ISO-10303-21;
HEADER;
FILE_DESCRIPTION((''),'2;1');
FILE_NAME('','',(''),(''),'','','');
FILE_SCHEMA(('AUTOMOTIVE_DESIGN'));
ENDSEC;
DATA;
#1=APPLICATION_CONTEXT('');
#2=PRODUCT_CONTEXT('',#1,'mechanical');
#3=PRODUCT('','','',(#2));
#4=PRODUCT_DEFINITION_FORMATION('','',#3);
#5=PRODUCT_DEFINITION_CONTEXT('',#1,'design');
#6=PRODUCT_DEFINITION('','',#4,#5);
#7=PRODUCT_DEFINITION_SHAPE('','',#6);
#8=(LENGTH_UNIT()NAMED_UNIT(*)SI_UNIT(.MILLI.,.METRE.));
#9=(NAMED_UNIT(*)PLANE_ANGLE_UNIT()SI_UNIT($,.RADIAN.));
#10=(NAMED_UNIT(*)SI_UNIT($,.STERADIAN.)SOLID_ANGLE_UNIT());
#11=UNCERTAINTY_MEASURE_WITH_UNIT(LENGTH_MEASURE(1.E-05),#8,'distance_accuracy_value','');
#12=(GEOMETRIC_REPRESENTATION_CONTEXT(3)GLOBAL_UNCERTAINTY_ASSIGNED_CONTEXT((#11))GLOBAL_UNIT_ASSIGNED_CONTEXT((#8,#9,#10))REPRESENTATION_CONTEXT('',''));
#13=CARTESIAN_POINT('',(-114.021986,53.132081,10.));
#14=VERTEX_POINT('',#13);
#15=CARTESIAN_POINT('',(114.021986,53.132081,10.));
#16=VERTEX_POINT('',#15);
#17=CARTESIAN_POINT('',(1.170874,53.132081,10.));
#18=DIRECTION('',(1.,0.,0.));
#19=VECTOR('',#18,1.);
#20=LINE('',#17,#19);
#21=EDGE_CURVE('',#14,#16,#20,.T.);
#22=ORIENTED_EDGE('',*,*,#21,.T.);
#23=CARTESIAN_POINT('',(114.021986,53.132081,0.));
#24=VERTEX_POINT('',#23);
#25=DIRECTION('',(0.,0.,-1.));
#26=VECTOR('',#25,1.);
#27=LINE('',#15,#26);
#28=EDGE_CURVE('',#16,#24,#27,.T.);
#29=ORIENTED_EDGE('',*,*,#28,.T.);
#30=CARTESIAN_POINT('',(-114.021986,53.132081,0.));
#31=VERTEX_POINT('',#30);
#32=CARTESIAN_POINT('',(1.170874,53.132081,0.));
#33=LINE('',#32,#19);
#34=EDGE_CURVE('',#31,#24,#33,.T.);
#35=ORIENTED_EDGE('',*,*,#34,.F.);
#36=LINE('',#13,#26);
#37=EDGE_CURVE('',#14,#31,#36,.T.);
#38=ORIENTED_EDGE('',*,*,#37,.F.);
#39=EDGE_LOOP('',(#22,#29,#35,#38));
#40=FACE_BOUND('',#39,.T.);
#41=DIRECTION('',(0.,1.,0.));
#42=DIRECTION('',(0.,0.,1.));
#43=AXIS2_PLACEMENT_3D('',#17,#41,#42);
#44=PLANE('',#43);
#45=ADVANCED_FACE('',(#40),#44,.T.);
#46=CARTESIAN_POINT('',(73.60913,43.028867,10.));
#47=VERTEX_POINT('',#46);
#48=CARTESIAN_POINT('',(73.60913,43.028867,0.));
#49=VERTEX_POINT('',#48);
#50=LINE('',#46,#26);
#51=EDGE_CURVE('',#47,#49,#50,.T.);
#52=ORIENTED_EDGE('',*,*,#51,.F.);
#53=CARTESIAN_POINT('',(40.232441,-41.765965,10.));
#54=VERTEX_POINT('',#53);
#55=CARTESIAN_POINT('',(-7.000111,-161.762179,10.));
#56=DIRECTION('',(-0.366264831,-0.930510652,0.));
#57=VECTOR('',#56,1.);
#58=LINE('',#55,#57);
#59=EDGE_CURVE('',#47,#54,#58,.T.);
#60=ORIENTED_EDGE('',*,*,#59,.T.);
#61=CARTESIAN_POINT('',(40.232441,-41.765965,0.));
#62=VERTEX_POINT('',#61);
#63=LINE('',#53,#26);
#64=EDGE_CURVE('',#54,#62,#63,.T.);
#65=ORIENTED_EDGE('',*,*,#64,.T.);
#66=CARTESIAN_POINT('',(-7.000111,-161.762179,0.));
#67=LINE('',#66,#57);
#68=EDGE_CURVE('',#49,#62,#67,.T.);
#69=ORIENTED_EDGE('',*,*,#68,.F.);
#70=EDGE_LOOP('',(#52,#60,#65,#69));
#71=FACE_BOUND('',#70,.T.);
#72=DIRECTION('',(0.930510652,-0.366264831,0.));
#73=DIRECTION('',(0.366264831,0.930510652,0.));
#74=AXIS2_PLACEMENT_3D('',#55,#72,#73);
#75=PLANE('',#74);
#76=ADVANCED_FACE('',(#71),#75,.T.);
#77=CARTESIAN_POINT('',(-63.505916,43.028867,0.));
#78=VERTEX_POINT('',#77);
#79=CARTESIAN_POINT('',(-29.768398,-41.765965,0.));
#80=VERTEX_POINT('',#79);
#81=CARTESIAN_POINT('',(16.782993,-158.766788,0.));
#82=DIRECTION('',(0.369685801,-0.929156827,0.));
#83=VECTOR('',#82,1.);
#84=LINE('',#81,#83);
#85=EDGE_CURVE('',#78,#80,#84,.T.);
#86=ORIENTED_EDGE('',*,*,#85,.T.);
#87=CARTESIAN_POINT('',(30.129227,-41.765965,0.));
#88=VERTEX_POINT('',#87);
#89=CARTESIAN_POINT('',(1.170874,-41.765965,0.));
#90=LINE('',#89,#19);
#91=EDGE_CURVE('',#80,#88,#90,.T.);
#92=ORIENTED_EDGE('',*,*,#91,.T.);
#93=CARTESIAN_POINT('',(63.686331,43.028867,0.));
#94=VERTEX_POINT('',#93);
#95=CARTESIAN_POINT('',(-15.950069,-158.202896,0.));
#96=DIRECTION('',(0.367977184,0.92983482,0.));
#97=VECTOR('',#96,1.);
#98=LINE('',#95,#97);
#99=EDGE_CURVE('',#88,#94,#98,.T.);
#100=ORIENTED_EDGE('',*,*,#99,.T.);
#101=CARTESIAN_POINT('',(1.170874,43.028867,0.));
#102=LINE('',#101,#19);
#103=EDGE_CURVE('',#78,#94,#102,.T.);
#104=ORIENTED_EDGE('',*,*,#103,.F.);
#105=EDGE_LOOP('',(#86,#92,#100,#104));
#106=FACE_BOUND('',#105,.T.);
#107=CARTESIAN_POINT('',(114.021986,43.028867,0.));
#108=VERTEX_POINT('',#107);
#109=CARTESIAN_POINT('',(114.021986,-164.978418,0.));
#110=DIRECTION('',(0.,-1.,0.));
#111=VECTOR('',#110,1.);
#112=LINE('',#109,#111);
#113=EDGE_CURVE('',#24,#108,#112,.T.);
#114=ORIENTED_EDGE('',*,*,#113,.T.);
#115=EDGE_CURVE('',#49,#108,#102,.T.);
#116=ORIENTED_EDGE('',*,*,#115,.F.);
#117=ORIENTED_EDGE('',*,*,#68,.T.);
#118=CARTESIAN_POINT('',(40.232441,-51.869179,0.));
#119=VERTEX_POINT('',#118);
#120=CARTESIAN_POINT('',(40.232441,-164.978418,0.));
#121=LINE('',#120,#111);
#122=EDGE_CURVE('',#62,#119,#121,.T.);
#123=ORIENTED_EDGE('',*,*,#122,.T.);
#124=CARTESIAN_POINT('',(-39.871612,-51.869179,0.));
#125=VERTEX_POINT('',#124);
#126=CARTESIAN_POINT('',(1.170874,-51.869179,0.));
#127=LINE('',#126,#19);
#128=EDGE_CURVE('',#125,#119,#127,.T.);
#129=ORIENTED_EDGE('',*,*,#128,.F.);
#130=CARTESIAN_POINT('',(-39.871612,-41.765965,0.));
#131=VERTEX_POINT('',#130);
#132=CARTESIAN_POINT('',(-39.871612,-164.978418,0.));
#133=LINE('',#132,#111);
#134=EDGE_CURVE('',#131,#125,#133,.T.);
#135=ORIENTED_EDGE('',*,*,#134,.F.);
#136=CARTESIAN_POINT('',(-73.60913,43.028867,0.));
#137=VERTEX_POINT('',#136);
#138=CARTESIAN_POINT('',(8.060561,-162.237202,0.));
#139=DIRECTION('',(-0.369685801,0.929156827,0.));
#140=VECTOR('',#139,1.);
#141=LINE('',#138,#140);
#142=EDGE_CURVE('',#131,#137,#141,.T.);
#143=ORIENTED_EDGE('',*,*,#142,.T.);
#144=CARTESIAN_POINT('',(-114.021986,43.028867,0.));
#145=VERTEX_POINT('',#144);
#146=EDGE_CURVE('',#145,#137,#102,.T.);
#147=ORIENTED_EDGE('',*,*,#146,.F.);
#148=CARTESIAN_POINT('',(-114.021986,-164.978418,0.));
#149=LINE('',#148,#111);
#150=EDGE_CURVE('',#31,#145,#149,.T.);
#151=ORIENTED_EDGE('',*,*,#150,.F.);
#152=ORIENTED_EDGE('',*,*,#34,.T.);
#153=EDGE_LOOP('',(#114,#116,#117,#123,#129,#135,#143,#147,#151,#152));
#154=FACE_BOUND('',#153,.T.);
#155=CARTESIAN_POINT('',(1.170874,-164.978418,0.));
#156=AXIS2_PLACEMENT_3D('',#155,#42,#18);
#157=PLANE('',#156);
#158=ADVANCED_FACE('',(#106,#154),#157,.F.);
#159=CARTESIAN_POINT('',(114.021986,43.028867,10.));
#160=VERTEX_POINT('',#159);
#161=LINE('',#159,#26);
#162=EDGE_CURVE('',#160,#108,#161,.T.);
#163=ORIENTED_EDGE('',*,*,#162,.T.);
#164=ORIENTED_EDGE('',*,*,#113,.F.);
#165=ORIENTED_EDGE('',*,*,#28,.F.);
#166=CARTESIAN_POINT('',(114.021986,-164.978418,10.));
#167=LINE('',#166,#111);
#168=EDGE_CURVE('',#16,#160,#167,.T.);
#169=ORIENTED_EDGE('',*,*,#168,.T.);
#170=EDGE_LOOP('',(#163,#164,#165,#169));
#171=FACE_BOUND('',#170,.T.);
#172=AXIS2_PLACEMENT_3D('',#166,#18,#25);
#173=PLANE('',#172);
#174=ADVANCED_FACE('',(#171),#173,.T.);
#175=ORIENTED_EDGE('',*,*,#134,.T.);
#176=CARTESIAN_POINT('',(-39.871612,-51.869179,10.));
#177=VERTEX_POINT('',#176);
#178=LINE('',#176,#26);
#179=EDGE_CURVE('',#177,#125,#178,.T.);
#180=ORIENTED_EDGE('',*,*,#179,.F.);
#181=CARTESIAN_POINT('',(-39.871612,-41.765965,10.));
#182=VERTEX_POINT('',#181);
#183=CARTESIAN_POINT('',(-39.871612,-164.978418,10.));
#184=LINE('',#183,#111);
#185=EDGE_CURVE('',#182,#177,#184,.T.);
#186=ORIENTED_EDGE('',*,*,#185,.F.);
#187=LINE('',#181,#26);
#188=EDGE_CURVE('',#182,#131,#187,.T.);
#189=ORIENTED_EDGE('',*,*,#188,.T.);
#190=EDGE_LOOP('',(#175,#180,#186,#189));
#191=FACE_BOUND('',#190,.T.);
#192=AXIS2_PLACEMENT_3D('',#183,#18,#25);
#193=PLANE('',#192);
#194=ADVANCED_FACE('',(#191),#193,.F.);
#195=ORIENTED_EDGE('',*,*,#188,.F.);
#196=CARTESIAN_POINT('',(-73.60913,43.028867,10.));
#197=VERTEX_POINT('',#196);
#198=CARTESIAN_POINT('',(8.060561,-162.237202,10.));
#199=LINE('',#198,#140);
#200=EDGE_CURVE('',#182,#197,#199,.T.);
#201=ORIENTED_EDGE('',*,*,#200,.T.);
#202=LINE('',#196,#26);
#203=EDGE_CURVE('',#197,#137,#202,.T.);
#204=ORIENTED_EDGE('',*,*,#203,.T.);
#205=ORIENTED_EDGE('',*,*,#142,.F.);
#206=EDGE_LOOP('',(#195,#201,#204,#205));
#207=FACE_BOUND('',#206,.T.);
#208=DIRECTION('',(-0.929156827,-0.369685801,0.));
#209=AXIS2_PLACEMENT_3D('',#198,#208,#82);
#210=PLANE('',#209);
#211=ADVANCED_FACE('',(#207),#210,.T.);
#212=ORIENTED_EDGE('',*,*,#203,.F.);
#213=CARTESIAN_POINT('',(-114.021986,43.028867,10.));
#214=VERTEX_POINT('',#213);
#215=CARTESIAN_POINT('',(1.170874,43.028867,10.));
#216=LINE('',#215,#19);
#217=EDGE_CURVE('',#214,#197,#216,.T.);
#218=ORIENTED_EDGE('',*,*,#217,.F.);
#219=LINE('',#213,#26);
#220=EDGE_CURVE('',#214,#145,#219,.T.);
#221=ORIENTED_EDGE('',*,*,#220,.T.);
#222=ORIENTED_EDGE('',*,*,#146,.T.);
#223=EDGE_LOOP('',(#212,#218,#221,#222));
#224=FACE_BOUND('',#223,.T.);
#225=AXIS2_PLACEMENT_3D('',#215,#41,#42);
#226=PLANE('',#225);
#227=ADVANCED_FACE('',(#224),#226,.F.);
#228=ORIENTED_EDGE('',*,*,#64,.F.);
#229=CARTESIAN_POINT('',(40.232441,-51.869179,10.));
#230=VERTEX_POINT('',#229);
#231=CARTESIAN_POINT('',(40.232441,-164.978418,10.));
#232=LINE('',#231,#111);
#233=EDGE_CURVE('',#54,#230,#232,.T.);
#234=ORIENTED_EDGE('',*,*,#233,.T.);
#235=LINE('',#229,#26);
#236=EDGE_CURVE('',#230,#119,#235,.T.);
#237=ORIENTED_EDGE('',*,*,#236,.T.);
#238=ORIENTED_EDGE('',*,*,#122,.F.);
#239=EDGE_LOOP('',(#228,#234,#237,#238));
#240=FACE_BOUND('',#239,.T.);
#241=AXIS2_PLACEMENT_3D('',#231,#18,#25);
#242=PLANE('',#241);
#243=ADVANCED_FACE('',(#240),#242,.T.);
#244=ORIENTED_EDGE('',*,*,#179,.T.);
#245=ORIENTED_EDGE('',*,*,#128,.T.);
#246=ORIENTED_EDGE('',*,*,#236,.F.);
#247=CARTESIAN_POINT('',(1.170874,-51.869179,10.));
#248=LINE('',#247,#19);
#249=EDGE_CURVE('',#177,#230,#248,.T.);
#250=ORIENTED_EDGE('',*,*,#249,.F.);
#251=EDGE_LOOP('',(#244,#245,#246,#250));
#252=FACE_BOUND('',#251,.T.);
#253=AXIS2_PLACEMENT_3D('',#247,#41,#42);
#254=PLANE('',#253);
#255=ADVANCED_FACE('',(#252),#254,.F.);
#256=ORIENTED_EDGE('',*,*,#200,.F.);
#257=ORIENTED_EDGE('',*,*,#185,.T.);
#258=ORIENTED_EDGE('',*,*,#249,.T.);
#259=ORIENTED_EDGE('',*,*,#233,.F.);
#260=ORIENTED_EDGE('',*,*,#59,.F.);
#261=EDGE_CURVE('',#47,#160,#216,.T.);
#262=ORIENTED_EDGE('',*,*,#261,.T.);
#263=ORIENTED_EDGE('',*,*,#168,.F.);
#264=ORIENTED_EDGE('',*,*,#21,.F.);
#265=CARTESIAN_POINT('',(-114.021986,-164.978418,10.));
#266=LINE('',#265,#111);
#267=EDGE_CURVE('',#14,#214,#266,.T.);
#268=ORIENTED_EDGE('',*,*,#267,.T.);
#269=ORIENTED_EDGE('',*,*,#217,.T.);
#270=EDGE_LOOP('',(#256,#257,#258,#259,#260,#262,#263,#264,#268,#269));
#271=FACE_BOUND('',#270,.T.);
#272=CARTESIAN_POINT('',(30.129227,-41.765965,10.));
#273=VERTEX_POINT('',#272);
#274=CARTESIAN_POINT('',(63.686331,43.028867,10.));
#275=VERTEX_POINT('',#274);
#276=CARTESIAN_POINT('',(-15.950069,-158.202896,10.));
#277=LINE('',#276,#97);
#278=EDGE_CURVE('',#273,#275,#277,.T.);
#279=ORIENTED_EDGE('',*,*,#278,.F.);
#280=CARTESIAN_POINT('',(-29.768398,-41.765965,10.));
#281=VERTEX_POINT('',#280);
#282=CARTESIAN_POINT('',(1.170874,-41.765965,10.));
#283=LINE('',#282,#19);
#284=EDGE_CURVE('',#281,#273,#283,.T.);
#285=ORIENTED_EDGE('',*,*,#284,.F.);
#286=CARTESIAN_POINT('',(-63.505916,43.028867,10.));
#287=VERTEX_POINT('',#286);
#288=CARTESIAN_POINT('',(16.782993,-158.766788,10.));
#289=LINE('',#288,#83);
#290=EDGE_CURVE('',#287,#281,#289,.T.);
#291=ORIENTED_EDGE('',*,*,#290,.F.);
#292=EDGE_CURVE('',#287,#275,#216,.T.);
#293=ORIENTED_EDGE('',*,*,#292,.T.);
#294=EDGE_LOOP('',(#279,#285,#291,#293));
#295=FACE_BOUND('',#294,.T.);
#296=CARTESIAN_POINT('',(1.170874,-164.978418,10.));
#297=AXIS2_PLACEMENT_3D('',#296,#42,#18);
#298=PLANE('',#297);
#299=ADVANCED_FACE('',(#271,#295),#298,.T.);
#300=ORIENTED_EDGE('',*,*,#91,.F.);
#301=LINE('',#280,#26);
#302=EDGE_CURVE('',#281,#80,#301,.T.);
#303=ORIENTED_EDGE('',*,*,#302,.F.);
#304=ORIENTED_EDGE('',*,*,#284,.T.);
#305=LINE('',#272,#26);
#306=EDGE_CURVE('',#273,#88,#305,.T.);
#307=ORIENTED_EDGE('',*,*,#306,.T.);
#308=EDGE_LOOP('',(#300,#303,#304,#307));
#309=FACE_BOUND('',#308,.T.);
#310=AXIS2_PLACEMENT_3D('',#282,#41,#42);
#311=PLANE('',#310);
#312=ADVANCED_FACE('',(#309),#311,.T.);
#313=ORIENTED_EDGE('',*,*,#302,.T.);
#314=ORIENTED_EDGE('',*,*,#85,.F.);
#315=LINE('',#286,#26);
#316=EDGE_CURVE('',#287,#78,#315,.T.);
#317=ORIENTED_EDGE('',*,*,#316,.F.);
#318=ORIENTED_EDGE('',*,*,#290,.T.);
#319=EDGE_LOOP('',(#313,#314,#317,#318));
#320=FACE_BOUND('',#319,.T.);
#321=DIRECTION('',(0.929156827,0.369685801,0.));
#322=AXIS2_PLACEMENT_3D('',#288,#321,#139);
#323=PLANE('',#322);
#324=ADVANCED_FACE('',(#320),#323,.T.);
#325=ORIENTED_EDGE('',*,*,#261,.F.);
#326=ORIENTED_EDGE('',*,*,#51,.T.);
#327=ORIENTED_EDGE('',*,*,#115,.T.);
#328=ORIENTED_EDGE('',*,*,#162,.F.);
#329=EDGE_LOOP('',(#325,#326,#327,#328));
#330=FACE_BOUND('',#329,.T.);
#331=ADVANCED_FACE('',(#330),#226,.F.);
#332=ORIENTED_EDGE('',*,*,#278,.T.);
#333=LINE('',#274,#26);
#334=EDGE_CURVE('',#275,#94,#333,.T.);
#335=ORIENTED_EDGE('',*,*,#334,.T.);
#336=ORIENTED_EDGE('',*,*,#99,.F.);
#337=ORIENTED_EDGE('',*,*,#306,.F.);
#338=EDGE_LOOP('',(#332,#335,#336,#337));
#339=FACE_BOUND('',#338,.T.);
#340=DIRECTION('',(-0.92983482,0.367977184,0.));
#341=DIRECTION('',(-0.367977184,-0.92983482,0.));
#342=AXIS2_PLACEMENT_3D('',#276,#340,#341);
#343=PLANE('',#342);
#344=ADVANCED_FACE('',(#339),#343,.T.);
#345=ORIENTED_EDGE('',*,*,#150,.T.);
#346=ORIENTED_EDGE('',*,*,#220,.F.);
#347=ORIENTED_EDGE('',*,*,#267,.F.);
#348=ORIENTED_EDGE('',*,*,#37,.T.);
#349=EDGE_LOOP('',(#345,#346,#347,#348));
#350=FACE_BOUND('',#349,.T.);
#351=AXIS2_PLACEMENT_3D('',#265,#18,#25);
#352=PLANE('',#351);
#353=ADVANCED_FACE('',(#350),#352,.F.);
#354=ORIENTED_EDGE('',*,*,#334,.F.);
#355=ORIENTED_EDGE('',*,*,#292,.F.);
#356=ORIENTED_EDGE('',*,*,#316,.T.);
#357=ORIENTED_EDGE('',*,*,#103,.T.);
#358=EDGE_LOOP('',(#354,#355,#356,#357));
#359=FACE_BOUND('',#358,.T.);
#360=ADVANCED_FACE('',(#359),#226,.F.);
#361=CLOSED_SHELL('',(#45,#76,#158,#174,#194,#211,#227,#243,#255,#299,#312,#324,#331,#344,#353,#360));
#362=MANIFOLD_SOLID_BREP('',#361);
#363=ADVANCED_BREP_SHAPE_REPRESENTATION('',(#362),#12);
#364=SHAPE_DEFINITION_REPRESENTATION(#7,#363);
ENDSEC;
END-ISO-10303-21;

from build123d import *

# Parameters (mm, degrees)
SKETCH1_W      = 228.04397219
SKETCH1_H      = 10.103213958
EXTRUDE1_DEPTH = 10
EXTRUDE2_DEPTH = 10
EXTRUDE3_DEPTH = 10


with BuildPart() as part:
    # Sketch1 → Extrude1 (new body)
    with BuildSketch(Plane.XY):
        with Locations((0, 48.080473567)):
            Rectangle(SKETCH1_W, SKETCH1_H)
    extrude(amount=EXTRUDE1_DEPTH)



with BuildPart() as body_2:
    # Sketch1<3> → Extrude2 (new body)
    with BuildSketch(Plane.XY):
        Polygon((40.232441296, -51.869178801), (40.232441296, -41.765964843), (30.129227338, -41.765964843), (-29.768398268, -41.765964843), (-39.871612226, -41.765964843), (-39.871612226, -51.869178801), align=None)
    extrude(amount=EXTRUDE2_DEPTH)


with BuildPart() as part_1:
    add(part.part)

    add(body_2.part)  # Extrude3 merges body 2
    # Sketch1<4> → Extrude3 (add)
    with BuildSketch(Plane.XY):
        Polygon((40.232441296, -41.765964843), (73.609130264, 43.028866588), (63.686330841, 43.028866588), (30.129227338, -41.765964843), align=None)
        Polygon((-29.768398268, -41.765964843), (-63.505916306, 43.028866588), (-73.609130264, 43.028866588), (-39.871612226, -41.765964843), align=None)
    extrude(amount=EXTRUDE3_DEPTH)


solid = part_1.part
